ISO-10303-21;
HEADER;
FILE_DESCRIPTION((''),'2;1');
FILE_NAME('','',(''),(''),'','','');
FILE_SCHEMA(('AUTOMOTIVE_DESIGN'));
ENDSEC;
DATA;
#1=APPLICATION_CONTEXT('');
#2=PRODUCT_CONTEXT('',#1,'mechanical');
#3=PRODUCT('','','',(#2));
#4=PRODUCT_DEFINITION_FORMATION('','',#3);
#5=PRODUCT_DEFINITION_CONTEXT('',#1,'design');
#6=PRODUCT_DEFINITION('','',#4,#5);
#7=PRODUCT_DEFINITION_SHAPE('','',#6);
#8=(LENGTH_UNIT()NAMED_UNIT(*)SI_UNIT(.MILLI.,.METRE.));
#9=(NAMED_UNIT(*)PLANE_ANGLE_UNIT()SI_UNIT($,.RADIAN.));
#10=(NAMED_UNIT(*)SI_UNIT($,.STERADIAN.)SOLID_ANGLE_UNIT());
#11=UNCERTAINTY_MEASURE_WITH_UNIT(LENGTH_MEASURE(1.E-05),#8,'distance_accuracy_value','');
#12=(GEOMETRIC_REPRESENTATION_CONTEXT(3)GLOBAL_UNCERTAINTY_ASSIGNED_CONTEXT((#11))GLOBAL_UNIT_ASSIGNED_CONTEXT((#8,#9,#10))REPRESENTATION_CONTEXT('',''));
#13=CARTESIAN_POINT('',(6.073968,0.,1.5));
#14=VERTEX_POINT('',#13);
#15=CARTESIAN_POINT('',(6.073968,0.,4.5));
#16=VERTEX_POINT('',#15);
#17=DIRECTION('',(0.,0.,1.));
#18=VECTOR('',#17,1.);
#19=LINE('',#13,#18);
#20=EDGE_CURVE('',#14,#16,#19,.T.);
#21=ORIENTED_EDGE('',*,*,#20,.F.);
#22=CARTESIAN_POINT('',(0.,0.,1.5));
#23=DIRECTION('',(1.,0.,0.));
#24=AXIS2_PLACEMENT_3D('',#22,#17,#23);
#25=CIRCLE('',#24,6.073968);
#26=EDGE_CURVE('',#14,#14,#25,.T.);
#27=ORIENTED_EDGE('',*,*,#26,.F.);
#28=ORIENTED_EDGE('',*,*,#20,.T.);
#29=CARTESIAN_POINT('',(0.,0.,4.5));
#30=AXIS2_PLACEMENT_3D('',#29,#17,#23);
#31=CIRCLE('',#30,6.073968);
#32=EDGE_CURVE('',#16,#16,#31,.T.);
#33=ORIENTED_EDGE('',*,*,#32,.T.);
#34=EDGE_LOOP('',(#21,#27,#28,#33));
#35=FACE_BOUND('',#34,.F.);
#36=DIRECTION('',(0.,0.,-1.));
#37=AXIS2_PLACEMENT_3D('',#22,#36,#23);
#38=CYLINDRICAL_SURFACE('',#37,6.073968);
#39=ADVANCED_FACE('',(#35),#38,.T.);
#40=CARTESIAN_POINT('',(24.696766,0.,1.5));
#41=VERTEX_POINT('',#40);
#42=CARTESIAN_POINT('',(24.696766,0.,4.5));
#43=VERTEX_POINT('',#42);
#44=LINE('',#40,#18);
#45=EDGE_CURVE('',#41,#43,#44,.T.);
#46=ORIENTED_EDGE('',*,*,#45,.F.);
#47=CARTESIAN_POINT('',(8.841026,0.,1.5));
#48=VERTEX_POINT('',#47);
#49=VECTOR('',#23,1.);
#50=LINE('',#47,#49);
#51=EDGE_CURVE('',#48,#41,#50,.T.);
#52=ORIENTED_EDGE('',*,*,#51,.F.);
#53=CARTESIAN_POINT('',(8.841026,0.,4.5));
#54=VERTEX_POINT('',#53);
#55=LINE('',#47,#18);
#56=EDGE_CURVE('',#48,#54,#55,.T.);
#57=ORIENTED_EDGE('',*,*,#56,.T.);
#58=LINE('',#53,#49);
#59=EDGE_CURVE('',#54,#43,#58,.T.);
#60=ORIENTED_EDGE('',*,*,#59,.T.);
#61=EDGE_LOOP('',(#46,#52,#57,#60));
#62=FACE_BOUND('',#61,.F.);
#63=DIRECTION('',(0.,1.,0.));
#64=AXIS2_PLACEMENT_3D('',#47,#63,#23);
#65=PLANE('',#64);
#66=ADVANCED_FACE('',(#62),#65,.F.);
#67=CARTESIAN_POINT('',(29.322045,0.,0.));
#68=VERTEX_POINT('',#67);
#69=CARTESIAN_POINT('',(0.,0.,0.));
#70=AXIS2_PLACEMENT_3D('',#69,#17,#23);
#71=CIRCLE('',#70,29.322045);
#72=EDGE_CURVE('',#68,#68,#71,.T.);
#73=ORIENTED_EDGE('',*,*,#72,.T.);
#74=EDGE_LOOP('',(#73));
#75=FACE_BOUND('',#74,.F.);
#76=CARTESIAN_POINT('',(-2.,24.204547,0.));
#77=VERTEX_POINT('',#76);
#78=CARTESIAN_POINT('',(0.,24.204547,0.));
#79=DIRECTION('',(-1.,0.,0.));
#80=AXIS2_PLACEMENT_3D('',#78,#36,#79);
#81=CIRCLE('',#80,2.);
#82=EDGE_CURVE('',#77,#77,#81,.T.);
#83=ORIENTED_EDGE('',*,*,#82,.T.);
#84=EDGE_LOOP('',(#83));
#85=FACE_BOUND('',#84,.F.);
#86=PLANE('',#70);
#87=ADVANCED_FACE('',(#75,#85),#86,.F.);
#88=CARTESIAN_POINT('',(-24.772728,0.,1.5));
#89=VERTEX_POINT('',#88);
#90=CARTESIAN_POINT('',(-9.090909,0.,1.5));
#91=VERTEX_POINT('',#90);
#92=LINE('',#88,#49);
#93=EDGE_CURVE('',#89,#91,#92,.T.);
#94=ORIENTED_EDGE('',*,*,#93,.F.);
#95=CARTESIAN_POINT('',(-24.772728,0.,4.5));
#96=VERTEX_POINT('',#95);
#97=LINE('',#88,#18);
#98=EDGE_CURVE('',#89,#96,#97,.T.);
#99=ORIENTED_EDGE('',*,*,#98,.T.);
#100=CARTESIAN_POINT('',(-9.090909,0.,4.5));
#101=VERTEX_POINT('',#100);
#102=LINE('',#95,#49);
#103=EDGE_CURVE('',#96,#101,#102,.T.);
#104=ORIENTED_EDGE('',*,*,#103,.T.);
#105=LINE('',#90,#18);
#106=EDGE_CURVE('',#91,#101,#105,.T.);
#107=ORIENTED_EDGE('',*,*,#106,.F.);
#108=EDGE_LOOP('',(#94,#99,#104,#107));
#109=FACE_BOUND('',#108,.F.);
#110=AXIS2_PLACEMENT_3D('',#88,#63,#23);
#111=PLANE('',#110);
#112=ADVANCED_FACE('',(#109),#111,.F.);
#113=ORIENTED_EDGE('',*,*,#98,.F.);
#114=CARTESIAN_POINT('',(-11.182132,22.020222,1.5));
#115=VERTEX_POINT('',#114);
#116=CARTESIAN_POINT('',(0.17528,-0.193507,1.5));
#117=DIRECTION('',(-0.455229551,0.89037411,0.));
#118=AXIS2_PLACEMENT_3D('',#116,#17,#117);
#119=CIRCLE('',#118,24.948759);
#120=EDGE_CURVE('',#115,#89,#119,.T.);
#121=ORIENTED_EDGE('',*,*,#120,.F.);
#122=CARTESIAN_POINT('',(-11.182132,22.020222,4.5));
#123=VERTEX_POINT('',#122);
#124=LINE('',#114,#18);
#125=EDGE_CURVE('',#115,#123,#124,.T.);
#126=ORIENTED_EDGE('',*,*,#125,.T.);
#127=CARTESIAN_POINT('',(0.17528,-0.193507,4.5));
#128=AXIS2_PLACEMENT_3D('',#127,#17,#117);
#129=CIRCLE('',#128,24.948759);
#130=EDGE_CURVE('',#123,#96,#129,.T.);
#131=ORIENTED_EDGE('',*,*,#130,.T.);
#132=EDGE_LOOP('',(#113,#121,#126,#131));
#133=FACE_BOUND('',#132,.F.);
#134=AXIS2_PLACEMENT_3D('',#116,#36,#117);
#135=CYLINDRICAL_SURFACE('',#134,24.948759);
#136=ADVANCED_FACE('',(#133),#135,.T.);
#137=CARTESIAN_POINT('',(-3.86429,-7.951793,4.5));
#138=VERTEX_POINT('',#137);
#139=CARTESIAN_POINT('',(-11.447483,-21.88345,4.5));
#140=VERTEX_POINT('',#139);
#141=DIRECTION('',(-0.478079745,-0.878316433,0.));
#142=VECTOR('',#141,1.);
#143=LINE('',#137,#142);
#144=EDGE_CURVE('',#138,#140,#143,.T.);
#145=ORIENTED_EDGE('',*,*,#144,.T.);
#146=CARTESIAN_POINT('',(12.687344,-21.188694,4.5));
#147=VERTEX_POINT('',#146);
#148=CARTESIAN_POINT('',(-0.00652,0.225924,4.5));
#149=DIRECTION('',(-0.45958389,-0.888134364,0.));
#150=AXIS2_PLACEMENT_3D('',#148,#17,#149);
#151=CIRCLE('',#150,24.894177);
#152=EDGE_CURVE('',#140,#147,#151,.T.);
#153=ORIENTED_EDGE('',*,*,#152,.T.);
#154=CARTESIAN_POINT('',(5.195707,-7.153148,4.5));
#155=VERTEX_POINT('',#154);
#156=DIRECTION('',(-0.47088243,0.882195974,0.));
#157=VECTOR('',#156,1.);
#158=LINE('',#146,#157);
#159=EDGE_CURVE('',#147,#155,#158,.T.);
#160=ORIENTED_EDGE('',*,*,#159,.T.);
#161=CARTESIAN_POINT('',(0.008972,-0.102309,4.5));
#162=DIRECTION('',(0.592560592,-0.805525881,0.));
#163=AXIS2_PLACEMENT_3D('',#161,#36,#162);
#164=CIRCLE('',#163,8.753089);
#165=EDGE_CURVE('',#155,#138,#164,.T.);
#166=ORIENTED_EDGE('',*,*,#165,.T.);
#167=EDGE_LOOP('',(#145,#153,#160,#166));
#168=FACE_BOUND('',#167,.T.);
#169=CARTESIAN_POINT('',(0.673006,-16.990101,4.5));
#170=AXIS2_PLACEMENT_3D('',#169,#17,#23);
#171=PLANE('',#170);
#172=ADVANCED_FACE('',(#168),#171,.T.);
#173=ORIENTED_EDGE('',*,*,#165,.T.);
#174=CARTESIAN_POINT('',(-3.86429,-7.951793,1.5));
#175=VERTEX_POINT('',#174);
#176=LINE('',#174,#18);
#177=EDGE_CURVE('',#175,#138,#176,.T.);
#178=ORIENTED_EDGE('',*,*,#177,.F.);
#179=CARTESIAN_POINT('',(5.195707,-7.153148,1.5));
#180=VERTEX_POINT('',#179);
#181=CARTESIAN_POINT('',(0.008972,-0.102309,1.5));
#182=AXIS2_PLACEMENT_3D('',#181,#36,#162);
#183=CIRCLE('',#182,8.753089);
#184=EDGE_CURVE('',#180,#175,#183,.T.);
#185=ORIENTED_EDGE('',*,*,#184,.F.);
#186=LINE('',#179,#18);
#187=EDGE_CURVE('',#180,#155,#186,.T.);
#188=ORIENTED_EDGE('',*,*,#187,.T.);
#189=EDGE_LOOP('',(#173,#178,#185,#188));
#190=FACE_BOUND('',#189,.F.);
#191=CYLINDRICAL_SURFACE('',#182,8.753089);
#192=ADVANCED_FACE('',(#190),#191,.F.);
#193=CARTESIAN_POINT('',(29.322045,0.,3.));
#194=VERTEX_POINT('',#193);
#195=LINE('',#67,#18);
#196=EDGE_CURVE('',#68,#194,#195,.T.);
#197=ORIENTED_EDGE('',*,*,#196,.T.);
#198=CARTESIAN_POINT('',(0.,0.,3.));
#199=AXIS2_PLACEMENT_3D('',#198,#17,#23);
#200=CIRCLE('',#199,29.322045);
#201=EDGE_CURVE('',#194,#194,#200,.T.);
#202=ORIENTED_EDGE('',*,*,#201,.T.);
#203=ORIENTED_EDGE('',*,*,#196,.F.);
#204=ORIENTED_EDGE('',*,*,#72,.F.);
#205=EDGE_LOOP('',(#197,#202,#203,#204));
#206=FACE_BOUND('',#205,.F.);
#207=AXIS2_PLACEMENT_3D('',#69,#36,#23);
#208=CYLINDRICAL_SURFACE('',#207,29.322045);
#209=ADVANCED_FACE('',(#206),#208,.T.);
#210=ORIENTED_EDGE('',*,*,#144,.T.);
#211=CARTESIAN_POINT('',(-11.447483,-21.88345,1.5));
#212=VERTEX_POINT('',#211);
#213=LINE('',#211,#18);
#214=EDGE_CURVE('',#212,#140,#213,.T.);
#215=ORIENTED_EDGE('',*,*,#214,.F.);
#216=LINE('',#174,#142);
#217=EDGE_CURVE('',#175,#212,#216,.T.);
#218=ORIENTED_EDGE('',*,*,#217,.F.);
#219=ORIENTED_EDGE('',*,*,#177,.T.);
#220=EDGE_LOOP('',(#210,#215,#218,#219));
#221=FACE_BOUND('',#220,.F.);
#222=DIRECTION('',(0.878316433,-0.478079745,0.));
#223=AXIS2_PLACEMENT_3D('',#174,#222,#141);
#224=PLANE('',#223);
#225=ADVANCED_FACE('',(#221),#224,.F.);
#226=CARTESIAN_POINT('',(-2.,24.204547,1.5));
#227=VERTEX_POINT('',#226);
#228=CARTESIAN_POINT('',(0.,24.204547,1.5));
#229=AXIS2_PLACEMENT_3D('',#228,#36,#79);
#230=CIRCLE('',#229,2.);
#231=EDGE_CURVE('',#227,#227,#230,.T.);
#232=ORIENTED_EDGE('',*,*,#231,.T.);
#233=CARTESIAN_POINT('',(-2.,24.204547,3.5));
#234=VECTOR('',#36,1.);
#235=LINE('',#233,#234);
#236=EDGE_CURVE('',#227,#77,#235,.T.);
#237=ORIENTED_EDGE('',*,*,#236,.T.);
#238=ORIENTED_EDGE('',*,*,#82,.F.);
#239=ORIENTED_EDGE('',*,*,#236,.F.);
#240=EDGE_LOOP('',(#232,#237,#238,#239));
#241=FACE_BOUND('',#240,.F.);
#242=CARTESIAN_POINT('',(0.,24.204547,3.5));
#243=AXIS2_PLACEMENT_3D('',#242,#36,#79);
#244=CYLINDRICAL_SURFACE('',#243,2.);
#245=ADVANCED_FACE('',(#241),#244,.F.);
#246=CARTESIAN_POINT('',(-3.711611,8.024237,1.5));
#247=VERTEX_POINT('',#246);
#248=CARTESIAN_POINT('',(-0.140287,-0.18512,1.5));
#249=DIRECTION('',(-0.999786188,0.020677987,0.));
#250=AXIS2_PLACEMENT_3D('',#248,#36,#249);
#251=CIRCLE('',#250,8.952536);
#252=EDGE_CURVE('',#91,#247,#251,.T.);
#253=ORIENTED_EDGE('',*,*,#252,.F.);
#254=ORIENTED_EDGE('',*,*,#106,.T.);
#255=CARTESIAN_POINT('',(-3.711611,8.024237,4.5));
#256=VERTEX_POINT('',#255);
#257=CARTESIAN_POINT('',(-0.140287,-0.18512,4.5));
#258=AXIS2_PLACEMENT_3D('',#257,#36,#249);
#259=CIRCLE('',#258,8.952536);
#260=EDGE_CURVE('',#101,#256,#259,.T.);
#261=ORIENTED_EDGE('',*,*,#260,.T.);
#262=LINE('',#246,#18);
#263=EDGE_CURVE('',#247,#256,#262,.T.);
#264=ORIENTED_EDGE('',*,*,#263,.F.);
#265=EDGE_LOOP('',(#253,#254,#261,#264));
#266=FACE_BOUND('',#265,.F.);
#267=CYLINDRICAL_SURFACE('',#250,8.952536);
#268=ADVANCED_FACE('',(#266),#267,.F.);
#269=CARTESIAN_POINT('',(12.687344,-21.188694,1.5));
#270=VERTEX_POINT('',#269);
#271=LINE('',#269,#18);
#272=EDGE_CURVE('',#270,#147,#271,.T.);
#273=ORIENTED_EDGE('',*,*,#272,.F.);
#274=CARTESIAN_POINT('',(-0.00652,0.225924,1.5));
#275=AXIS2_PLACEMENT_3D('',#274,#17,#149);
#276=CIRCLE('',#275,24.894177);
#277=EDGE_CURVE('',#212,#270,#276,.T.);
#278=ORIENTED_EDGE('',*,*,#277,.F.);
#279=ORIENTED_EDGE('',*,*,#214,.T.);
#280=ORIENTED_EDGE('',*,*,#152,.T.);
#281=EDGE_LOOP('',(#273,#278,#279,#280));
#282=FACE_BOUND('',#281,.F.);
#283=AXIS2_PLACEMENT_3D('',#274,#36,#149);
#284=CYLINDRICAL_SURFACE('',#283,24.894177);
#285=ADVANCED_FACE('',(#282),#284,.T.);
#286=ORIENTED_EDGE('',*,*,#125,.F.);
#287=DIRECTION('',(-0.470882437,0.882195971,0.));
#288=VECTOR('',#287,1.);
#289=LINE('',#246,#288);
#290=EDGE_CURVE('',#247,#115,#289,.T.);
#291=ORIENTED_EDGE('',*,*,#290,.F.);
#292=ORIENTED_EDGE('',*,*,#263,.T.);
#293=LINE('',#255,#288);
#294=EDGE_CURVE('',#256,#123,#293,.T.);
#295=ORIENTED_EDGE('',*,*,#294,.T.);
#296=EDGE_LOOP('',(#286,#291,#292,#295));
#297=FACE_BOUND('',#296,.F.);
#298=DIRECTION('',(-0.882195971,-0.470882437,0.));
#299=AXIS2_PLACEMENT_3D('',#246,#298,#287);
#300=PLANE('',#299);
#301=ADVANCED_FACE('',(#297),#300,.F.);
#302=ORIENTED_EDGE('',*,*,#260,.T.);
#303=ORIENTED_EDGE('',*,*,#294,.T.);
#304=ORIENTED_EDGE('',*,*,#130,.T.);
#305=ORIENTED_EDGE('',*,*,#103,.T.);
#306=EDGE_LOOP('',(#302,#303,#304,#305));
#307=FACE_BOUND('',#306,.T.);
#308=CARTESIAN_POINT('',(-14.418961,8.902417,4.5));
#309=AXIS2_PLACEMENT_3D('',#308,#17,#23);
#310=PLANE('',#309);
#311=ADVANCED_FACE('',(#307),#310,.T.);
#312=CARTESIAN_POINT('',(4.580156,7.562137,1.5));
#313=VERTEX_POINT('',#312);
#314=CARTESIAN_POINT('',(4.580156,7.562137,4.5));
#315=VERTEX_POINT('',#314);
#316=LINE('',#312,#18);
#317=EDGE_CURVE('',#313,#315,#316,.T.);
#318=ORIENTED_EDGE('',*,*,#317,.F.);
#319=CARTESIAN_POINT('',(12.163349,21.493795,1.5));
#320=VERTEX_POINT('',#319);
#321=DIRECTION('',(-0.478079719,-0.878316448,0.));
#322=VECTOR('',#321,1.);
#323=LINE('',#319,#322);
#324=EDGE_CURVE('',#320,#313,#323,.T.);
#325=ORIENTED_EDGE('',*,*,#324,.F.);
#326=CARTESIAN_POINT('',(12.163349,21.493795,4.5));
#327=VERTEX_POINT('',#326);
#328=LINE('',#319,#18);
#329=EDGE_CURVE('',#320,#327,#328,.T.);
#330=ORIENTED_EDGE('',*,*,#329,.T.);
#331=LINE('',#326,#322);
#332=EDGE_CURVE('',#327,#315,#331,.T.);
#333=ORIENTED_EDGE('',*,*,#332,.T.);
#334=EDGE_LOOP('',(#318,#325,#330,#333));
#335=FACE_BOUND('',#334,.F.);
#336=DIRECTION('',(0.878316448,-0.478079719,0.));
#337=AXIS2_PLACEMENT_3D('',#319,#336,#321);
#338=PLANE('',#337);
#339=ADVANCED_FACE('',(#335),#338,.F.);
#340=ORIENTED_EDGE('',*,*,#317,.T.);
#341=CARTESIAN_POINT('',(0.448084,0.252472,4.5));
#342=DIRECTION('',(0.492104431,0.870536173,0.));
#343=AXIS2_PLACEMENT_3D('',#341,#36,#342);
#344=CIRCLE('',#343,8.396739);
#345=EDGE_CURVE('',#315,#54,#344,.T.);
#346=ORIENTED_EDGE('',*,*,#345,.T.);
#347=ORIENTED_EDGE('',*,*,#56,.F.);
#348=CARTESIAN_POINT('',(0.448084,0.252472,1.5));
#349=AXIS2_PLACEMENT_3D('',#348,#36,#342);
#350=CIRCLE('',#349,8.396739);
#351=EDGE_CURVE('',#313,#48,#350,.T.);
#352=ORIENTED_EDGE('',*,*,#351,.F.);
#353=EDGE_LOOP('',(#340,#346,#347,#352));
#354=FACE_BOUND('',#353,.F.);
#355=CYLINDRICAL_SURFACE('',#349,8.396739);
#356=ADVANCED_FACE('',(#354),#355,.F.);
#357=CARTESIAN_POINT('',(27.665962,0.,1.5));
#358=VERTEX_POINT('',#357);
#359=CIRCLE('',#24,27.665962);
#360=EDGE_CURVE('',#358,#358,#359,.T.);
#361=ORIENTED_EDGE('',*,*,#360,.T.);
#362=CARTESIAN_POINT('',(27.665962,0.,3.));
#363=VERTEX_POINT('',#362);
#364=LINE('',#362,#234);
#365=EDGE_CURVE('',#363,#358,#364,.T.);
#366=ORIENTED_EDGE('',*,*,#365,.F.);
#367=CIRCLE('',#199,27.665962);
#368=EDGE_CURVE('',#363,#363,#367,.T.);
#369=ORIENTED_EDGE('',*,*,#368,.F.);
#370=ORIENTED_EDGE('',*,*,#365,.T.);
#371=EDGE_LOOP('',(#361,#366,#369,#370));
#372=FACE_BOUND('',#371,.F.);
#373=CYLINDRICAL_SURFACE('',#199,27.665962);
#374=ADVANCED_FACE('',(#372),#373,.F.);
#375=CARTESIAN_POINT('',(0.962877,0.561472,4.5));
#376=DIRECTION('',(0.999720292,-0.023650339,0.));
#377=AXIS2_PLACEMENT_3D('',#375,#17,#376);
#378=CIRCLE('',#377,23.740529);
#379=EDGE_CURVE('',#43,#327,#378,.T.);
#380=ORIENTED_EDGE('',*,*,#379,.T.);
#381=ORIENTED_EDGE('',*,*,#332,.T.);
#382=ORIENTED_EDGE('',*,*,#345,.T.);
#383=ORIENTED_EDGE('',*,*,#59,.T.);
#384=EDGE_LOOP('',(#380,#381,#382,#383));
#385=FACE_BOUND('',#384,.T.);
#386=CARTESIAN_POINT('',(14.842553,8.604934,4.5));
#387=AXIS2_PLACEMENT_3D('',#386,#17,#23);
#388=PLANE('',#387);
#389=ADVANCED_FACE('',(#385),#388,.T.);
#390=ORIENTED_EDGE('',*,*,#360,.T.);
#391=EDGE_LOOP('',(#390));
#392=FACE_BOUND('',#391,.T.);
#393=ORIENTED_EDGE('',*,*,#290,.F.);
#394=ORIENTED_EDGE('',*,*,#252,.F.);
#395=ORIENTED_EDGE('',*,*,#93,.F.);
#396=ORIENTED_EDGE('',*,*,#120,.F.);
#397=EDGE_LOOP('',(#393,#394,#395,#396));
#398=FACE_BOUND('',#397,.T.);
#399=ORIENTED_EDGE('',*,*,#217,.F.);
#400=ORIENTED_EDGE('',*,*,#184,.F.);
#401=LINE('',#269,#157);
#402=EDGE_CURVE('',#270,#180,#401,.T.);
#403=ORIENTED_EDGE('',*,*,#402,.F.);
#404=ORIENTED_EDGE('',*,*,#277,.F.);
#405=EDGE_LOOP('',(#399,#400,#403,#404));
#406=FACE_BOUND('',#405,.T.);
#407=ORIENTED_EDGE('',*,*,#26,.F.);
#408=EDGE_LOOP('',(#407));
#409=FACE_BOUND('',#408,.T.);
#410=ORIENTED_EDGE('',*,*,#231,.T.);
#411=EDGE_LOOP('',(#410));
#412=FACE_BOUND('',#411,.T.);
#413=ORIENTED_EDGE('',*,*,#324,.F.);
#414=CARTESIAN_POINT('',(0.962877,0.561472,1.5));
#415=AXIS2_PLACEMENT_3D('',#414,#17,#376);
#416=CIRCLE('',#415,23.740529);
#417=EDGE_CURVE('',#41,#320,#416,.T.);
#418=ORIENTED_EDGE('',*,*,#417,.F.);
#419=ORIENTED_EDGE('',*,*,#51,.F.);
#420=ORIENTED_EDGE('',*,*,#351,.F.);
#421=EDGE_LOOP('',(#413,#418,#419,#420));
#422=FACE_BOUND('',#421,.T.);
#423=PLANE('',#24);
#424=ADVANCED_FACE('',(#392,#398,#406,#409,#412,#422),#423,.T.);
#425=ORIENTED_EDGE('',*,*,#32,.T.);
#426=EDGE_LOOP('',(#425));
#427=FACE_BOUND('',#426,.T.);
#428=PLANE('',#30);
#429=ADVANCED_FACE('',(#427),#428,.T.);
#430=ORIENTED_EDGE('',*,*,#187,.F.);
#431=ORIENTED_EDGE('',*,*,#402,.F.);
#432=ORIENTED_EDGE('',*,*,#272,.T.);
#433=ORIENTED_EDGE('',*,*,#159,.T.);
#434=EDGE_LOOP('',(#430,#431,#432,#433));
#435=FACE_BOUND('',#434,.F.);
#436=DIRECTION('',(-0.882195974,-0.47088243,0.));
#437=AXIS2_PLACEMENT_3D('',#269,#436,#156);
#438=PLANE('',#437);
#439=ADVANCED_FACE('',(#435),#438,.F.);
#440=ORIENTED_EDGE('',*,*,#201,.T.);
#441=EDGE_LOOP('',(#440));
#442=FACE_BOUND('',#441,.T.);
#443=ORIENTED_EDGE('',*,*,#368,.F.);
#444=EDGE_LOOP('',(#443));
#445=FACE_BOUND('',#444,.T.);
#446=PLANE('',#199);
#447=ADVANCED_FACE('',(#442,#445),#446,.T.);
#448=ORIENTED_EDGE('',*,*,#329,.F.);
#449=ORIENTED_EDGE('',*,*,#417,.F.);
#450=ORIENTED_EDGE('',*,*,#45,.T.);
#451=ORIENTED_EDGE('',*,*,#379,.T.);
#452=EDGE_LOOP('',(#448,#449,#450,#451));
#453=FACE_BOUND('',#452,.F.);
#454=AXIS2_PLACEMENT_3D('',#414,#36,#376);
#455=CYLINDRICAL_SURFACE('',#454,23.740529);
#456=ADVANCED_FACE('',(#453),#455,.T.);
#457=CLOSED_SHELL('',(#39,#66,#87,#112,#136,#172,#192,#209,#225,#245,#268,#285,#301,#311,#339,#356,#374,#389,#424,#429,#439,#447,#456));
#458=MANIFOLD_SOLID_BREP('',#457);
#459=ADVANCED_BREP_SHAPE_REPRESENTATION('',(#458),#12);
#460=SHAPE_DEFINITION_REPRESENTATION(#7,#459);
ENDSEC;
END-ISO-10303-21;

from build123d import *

# Parameters (mm, degrees)
F0_R     = 29.322045
F1_DEPTH = 3
F2_R     = 27.665962
F3_DEPTH = 1.5
F4_R     = 6.073968
F5_DEPTH = 3
F7_D     = 4
F7_DEPTH = 2


with BuildPart() as f1:
    # F0 (on Top) → F1 (new body)
    with BuildSketch(Plane.XY):
        Circle(F0_R)
    extrude(amount=F1_DEPTH)

    # F2 (on face) → F3 (cut)
    with BuildSketch(Plane.XY.offset(3)):
        Circle(F2_R)
    extrude(amount=-F3_DEPTH, mode=Mode.SUBTRACT)

    # F4 (on face) → F5 (join)
    with BuildSketch(Plane.XY.offset(1.5)):
        Circle(F4_R)
        with BuildLine():
            ThreePointArc((-11.182132, 22.020222), (-21.055439, 12.909818), (-24.772728, 0))
            Line((-24.772728, 0), (-9.090909, 0))
            ThreePointArc((-9.090909, 0), (-7.576474, 4.79996), (-3.711611, 8.024237))
            Line((-3.711611, 8.024237), (-11.182132, 22.020222))
        make_face()
        with BuildLine():
            ThreePointArc((4.580156, 7.562137), (7.763511, 4.374334), (8.841026, 0))
            Line((8.841026, 0), (24.696766, 0))
            ThreePointArc((24.696766, 0), (21.471368, 12.52034), (12.163349, 21.493795))
            Line((12.163349, 21.493795), (4.580156, 7.562137))
        make_face()
        with BuildLine():
            ThreePointArc((-11.447483, -21.88345), (0.709798, -24.657945), (12.687344, -21.188694))
            Line((12.687344, -21.188694), (5.195707, -7.153148))
            ThreePointArc((5.195707, -7.153148), (0.777582, -8.821586), (-3.86429, -7.951793))
            Line((-3.86429, -7.951793), (-11.447483, -21.88345))
        make_face()
    extrude(amount=F5_DEPTH)

    # F7
    with Locations(Plane.XY.offset(1.5)):
        with Locations((0, 24.204547)):
            Hole(F7_D / 2, depth=F7_DEPTH)


solid = f1.part
